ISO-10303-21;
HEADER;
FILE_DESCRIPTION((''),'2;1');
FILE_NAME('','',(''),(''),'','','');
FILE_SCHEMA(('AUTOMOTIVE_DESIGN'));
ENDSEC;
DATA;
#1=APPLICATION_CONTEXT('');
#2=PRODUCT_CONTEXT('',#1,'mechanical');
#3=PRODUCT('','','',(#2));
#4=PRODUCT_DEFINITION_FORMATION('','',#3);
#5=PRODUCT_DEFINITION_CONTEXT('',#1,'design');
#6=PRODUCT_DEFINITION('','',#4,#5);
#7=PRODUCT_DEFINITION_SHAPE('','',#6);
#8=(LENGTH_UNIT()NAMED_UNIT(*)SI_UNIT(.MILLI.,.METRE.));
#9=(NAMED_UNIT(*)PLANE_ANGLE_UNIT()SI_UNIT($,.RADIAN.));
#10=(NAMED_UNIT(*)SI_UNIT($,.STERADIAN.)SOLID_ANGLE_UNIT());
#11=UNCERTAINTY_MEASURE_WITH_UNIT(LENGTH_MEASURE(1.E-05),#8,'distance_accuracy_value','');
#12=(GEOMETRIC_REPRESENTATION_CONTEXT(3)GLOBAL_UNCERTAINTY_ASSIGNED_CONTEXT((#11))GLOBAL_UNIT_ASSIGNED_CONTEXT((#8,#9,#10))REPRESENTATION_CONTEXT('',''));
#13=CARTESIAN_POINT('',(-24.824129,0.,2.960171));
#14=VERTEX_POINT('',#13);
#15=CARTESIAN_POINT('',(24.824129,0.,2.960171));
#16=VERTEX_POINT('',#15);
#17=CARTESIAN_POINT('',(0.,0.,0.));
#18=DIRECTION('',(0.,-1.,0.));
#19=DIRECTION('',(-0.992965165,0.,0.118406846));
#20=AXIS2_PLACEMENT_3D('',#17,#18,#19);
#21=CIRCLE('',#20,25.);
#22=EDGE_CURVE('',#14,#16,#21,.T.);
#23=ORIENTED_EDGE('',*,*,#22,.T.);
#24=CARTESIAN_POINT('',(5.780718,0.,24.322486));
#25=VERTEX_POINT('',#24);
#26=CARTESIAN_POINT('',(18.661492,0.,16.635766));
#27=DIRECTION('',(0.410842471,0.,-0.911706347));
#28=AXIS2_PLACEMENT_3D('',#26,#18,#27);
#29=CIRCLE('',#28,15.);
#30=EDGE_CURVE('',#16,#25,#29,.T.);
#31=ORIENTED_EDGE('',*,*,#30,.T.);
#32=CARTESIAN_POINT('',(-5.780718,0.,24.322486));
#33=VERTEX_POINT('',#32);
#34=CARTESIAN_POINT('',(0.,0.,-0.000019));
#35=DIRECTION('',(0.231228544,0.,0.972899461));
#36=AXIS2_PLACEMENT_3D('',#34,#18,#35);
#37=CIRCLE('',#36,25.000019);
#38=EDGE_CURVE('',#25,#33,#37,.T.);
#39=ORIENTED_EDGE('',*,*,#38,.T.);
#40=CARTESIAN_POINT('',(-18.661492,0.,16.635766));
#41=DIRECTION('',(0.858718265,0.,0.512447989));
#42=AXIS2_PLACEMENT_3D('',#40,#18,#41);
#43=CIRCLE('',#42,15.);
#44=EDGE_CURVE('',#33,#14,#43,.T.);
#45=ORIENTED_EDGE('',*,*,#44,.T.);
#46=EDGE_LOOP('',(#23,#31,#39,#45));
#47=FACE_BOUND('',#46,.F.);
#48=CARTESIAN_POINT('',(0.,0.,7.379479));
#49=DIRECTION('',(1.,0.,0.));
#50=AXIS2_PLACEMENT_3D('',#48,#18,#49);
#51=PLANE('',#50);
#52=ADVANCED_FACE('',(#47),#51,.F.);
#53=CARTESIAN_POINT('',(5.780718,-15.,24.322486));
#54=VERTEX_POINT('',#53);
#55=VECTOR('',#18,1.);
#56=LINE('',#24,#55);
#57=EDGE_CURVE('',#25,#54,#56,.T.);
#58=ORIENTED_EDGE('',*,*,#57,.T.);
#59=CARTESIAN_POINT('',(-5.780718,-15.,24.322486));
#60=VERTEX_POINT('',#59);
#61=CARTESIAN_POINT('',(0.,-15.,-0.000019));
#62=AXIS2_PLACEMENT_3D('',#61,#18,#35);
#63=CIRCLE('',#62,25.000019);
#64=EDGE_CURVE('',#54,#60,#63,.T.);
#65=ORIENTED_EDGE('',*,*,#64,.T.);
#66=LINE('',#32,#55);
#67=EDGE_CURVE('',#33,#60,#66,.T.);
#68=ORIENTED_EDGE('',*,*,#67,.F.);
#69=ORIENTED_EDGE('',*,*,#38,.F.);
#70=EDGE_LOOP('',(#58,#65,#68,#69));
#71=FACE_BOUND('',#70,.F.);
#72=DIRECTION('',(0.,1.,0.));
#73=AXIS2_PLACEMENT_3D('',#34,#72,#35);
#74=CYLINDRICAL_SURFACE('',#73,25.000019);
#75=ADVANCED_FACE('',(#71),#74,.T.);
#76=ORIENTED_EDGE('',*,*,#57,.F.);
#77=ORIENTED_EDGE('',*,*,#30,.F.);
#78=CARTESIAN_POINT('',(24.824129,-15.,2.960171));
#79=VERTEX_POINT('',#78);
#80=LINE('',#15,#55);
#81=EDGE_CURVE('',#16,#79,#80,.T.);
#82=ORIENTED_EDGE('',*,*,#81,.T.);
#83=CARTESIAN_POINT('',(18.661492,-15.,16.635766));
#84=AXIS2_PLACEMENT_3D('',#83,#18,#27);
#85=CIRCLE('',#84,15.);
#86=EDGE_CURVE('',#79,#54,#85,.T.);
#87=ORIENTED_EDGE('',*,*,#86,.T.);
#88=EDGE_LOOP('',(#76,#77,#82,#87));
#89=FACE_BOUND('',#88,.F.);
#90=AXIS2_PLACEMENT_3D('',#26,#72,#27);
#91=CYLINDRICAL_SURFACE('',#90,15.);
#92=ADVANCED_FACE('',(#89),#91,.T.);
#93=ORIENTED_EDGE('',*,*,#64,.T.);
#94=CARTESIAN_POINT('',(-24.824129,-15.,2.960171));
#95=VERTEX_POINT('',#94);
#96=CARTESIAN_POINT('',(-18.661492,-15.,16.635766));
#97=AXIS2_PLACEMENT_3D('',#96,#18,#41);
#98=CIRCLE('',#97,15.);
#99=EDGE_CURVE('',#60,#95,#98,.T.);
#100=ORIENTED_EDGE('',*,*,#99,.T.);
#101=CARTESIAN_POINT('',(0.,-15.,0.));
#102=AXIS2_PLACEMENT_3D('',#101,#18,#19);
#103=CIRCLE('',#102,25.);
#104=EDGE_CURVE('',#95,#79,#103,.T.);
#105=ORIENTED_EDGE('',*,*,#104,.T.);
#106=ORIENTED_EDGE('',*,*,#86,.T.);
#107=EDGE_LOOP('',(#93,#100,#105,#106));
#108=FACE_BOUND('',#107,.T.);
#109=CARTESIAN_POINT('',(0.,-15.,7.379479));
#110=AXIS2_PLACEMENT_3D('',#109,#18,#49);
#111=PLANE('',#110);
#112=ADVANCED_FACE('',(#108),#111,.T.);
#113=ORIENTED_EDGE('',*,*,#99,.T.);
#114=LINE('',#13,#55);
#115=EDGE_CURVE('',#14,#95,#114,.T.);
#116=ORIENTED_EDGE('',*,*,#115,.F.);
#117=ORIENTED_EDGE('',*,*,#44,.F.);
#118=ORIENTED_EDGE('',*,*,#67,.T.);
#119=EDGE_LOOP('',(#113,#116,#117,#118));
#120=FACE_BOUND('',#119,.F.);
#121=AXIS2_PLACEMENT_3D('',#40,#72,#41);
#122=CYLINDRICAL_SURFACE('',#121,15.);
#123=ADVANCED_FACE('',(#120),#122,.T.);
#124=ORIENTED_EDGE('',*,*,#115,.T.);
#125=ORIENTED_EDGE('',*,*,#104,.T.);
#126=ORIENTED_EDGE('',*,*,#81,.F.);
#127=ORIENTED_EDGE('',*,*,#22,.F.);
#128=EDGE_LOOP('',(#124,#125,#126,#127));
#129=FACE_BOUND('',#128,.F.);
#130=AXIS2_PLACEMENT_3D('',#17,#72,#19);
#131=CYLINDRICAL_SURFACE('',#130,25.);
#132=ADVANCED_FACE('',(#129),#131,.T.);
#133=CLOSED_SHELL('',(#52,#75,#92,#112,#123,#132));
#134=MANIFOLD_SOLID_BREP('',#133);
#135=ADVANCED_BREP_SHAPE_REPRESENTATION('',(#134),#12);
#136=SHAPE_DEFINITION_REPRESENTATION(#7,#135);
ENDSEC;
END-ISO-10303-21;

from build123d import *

# Parameters (mm, degrees)
F1_DEPTH = 15


with BuildPart() as f1:
    # F0 (on Front) → F1 (new body)
    with BuildSketch(Plane.XZ):
        with BuildLine():
            ThreePointArc((-5.780718, 24.322486), (-29.858387, 26.617226), (-24.824129, 2.960171))
            ThreePointArc((-24.824129, 2.960171), (0, -25), (24.824129, 2.960171))
            ThreePointArc((24.824129, 2.960171), (29.858387, 26.617226), (5.780718, 24.322486))
            ThreePointArc((5.780718, 24.322486), (0, 25), (-5.780718, 24.322486))
        make_face()
    extrude(amount=F1_DEPTH)


solid = f1.part
